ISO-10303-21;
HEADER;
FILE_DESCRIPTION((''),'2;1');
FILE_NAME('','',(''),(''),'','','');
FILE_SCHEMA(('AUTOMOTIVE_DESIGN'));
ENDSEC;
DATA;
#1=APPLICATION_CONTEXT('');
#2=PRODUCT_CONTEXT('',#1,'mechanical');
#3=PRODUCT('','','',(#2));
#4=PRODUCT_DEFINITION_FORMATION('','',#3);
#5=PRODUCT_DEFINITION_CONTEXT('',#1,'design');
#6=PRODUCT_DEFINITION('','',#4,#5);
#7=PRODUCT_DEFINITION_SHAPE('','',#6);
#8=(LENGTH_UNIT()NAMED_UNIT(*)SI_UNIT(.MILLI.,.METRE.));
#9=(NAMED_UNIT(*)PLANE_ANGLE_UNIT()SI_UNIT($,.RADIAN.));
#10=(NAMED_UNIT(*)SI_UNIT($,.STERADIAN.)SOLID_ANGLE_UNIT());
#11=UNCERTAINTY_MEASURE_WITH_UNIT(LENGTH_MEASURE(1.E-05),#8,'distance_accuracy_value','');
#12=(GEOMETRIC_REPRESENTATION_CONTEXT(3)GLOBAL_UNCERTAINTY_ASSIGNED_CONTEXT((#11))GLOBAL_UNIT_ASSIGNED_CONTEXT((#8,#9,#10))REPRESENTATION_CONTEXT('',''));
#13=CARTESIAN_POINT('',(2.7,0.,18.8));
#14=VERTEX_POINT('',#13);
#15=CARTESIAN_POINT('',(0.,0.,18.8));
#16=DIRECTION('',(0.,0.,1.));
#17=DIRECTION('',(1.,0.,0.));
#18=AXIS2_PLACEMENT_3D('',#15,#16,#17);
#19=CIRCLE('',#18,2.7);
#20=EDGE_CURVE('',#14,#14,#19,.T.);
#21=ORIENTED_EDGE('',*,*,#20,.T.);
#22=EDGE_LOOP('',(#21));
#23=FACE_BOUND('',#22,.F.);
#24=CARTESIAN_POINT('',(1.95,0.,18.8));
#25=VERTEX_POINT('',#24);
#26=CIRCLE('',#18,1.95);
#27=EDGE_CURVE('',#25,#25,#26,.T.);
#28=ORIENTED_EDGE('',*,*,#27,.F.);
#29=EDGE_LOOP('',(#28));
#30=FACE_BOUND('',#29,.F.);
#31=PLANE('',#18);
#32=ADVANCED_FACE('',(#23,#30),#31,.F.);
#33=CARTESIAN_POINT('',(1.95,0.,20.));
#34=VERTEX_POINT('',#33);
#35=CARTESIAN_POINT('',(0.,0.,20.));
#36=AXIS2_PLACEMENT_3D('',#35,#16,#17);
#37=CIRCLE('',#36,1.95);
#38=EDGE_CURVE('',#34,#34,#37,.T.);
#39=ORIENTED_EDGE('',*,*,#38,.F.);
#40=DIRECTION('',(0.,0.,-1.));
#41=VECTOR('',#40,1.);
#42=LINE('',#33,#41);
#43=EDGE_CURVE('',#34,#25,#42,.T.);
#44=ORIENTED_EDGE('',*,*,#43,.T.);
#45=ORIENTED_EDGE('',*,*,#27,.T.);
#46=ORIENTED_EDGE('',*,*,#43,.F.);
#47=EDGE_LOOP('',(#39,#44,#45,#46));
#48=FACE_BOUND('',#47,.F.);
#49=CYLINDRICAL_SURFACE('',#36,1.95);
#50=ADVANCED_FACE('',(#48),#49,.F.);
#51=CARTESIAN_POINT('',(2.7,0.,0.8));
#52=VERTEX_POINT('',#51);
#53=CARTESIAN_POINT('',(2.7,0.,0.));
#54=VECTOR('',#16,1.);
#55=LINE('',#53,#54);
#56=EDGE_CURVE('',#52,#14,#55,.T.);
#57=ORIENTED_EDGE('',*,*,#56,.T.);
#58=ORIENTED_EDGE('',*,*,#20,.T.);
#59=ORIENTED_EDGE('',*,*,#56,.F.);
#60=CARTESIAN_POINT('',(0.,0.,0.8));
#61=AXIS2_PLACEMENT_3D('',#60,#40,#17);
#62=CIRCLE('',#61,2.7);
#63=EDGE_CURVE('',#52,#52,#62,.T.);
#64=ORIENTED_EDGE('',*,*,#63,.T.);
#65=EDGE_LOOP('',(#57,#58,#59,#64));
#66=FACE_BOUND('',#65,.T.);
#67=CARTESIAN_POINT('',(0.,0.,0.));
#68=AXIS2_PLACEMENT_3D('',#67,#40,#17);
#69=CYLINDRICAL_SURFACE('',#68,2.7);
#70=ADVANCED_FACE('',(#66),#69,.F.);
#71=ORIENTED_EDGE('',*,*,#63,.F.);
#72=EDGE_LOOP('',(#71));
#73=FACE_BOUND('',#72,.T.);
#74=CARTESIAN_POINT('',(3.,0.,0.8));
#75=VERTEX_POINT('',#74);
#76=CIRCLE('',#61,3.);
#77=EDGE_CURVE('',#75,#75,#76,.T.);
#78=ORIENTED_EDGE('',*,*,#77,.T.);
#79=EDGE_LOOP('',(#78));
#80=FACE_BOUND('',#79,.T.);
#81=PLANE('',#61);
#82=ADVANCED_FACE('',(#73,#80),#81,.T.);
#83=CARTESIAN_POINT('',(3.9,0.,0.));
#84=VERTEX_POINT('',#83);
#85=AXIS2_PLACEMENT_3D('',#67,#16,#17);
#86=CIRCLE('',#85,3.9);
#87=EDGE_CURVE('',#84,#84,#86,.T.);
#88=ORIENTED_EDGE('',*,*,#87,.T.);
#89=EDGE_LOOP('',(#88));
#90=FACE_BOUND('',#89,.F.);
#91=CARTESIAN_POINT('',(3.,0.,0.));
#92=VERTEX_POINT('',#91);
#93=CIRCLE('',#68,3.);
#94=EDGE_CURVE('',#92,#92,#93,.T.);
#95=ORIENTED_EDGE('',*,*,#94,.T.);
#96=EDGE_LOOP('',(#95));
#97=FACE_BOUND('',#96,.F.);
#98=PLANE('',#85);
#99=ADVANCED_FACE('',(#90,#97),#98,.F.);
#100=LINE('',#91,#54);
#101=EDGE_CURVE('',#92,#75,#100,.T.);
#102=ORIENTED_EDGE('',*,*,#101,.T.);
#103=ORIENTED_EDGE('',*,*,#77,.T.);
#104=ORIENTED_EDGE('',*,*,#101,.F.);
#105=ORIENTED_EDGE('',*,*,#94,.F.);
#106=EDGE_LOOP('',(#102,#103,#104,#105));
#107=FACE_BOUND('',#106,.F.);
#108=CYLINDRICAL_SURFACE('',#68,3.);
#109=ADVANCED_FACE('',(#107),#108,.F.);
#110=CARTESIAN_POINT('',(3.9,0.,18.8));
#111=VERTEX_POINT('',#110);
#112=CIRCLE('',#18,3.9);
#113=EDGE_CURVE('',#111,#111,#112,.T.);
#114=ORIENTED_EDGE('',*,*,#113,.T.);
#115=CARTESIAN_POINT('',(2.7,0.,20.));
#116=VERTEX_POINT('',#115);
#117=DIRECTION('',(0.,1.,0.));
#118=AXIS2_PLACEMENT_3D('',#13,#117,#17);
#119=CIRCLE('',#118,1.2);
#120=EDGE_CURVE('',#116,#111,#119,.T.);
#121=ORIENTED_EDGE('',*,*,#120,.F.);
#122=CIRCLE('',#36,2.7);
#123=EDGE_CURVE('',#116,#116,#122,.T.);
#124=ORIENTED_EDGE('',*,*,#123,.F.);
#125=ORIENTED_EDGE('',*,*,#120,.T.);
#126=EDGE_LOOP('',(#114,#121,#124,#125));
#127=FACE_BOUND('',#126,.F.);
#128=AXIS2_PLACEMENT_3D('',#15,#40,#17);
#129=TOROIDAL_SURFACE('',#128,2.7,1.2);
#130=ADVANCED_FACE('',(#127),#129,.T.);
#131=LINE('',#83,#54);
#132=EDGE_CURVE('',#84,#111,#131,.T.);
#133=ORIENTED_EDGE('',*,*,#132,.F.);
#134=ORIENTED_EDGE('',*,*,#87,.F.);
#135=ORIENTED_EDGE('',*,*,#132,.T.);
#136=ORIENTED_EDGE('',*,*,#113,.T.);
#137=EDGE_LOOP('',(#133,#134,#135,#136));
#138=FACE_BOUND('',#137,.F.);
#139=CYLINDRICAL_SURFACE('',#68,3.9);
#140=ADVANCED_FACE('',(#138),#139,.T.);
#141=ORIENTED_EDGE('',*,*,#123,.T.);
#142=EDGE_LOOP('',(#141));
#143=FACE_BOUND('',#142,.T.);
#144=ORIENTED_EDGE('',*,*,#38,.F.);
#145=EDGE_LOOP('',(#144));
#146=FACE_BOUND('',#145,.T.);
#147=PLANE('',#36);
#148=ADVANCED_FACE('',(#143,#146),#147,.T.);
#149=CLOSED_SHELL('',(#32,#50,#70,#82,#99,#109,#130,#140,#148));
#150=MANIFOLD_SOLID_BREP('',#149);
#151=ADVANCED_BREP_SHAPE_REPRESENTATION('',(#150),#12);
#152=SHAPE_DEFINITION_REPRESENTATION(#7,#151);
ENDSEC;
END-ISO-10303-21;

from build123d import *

# Parameters (mm, degrees)
F0_R     = 3.9
F0_R_2   = 2.7
F1_DEPTH = 20
F2_R     = 2.7
F2_R_2   = 1.95
F3_DEPTH = 1.2
F4_R     = 1.2
F5_R     = 3
F6_DEPTH = 0.8


with BuildPart() as f1:
    # F0 (on Top) → F1 (new body)
    with BuildSketch(Plane.XY):
        Circle(F0_R)
        Circle(F0_R_2, mode=Mode.SUBTRACT)
    extrude(amount=F1_DEPTH)

    # F2 (on face) → F3 (join)
    with BuildSketch(Plane.XY.offset(20)):
        Circle(F2_R)
        Circle(F2_R_2, mode=Mode.SUBTRACT)
    extrude(amount=-F3_DEPTH)

    # F4
    f4_edges = [f1.edges().sort_by_distance(p)[0] for p in [
        (-3.9, 0, 20),
    ]]
    fillet(f4_edges, radius=F4_R)

    # F5 (on face) → F6 (cut)
    with BuildSketch(Plane(origin=(0, 0, 0), x_dir=(1, 0, 0), z_dir=(0, 0, -1))):
        Circle(F5_R)
    extrude(amount=-F6_DEPTH, mode=Mode.SUBTRACT)


solid = f1.part
